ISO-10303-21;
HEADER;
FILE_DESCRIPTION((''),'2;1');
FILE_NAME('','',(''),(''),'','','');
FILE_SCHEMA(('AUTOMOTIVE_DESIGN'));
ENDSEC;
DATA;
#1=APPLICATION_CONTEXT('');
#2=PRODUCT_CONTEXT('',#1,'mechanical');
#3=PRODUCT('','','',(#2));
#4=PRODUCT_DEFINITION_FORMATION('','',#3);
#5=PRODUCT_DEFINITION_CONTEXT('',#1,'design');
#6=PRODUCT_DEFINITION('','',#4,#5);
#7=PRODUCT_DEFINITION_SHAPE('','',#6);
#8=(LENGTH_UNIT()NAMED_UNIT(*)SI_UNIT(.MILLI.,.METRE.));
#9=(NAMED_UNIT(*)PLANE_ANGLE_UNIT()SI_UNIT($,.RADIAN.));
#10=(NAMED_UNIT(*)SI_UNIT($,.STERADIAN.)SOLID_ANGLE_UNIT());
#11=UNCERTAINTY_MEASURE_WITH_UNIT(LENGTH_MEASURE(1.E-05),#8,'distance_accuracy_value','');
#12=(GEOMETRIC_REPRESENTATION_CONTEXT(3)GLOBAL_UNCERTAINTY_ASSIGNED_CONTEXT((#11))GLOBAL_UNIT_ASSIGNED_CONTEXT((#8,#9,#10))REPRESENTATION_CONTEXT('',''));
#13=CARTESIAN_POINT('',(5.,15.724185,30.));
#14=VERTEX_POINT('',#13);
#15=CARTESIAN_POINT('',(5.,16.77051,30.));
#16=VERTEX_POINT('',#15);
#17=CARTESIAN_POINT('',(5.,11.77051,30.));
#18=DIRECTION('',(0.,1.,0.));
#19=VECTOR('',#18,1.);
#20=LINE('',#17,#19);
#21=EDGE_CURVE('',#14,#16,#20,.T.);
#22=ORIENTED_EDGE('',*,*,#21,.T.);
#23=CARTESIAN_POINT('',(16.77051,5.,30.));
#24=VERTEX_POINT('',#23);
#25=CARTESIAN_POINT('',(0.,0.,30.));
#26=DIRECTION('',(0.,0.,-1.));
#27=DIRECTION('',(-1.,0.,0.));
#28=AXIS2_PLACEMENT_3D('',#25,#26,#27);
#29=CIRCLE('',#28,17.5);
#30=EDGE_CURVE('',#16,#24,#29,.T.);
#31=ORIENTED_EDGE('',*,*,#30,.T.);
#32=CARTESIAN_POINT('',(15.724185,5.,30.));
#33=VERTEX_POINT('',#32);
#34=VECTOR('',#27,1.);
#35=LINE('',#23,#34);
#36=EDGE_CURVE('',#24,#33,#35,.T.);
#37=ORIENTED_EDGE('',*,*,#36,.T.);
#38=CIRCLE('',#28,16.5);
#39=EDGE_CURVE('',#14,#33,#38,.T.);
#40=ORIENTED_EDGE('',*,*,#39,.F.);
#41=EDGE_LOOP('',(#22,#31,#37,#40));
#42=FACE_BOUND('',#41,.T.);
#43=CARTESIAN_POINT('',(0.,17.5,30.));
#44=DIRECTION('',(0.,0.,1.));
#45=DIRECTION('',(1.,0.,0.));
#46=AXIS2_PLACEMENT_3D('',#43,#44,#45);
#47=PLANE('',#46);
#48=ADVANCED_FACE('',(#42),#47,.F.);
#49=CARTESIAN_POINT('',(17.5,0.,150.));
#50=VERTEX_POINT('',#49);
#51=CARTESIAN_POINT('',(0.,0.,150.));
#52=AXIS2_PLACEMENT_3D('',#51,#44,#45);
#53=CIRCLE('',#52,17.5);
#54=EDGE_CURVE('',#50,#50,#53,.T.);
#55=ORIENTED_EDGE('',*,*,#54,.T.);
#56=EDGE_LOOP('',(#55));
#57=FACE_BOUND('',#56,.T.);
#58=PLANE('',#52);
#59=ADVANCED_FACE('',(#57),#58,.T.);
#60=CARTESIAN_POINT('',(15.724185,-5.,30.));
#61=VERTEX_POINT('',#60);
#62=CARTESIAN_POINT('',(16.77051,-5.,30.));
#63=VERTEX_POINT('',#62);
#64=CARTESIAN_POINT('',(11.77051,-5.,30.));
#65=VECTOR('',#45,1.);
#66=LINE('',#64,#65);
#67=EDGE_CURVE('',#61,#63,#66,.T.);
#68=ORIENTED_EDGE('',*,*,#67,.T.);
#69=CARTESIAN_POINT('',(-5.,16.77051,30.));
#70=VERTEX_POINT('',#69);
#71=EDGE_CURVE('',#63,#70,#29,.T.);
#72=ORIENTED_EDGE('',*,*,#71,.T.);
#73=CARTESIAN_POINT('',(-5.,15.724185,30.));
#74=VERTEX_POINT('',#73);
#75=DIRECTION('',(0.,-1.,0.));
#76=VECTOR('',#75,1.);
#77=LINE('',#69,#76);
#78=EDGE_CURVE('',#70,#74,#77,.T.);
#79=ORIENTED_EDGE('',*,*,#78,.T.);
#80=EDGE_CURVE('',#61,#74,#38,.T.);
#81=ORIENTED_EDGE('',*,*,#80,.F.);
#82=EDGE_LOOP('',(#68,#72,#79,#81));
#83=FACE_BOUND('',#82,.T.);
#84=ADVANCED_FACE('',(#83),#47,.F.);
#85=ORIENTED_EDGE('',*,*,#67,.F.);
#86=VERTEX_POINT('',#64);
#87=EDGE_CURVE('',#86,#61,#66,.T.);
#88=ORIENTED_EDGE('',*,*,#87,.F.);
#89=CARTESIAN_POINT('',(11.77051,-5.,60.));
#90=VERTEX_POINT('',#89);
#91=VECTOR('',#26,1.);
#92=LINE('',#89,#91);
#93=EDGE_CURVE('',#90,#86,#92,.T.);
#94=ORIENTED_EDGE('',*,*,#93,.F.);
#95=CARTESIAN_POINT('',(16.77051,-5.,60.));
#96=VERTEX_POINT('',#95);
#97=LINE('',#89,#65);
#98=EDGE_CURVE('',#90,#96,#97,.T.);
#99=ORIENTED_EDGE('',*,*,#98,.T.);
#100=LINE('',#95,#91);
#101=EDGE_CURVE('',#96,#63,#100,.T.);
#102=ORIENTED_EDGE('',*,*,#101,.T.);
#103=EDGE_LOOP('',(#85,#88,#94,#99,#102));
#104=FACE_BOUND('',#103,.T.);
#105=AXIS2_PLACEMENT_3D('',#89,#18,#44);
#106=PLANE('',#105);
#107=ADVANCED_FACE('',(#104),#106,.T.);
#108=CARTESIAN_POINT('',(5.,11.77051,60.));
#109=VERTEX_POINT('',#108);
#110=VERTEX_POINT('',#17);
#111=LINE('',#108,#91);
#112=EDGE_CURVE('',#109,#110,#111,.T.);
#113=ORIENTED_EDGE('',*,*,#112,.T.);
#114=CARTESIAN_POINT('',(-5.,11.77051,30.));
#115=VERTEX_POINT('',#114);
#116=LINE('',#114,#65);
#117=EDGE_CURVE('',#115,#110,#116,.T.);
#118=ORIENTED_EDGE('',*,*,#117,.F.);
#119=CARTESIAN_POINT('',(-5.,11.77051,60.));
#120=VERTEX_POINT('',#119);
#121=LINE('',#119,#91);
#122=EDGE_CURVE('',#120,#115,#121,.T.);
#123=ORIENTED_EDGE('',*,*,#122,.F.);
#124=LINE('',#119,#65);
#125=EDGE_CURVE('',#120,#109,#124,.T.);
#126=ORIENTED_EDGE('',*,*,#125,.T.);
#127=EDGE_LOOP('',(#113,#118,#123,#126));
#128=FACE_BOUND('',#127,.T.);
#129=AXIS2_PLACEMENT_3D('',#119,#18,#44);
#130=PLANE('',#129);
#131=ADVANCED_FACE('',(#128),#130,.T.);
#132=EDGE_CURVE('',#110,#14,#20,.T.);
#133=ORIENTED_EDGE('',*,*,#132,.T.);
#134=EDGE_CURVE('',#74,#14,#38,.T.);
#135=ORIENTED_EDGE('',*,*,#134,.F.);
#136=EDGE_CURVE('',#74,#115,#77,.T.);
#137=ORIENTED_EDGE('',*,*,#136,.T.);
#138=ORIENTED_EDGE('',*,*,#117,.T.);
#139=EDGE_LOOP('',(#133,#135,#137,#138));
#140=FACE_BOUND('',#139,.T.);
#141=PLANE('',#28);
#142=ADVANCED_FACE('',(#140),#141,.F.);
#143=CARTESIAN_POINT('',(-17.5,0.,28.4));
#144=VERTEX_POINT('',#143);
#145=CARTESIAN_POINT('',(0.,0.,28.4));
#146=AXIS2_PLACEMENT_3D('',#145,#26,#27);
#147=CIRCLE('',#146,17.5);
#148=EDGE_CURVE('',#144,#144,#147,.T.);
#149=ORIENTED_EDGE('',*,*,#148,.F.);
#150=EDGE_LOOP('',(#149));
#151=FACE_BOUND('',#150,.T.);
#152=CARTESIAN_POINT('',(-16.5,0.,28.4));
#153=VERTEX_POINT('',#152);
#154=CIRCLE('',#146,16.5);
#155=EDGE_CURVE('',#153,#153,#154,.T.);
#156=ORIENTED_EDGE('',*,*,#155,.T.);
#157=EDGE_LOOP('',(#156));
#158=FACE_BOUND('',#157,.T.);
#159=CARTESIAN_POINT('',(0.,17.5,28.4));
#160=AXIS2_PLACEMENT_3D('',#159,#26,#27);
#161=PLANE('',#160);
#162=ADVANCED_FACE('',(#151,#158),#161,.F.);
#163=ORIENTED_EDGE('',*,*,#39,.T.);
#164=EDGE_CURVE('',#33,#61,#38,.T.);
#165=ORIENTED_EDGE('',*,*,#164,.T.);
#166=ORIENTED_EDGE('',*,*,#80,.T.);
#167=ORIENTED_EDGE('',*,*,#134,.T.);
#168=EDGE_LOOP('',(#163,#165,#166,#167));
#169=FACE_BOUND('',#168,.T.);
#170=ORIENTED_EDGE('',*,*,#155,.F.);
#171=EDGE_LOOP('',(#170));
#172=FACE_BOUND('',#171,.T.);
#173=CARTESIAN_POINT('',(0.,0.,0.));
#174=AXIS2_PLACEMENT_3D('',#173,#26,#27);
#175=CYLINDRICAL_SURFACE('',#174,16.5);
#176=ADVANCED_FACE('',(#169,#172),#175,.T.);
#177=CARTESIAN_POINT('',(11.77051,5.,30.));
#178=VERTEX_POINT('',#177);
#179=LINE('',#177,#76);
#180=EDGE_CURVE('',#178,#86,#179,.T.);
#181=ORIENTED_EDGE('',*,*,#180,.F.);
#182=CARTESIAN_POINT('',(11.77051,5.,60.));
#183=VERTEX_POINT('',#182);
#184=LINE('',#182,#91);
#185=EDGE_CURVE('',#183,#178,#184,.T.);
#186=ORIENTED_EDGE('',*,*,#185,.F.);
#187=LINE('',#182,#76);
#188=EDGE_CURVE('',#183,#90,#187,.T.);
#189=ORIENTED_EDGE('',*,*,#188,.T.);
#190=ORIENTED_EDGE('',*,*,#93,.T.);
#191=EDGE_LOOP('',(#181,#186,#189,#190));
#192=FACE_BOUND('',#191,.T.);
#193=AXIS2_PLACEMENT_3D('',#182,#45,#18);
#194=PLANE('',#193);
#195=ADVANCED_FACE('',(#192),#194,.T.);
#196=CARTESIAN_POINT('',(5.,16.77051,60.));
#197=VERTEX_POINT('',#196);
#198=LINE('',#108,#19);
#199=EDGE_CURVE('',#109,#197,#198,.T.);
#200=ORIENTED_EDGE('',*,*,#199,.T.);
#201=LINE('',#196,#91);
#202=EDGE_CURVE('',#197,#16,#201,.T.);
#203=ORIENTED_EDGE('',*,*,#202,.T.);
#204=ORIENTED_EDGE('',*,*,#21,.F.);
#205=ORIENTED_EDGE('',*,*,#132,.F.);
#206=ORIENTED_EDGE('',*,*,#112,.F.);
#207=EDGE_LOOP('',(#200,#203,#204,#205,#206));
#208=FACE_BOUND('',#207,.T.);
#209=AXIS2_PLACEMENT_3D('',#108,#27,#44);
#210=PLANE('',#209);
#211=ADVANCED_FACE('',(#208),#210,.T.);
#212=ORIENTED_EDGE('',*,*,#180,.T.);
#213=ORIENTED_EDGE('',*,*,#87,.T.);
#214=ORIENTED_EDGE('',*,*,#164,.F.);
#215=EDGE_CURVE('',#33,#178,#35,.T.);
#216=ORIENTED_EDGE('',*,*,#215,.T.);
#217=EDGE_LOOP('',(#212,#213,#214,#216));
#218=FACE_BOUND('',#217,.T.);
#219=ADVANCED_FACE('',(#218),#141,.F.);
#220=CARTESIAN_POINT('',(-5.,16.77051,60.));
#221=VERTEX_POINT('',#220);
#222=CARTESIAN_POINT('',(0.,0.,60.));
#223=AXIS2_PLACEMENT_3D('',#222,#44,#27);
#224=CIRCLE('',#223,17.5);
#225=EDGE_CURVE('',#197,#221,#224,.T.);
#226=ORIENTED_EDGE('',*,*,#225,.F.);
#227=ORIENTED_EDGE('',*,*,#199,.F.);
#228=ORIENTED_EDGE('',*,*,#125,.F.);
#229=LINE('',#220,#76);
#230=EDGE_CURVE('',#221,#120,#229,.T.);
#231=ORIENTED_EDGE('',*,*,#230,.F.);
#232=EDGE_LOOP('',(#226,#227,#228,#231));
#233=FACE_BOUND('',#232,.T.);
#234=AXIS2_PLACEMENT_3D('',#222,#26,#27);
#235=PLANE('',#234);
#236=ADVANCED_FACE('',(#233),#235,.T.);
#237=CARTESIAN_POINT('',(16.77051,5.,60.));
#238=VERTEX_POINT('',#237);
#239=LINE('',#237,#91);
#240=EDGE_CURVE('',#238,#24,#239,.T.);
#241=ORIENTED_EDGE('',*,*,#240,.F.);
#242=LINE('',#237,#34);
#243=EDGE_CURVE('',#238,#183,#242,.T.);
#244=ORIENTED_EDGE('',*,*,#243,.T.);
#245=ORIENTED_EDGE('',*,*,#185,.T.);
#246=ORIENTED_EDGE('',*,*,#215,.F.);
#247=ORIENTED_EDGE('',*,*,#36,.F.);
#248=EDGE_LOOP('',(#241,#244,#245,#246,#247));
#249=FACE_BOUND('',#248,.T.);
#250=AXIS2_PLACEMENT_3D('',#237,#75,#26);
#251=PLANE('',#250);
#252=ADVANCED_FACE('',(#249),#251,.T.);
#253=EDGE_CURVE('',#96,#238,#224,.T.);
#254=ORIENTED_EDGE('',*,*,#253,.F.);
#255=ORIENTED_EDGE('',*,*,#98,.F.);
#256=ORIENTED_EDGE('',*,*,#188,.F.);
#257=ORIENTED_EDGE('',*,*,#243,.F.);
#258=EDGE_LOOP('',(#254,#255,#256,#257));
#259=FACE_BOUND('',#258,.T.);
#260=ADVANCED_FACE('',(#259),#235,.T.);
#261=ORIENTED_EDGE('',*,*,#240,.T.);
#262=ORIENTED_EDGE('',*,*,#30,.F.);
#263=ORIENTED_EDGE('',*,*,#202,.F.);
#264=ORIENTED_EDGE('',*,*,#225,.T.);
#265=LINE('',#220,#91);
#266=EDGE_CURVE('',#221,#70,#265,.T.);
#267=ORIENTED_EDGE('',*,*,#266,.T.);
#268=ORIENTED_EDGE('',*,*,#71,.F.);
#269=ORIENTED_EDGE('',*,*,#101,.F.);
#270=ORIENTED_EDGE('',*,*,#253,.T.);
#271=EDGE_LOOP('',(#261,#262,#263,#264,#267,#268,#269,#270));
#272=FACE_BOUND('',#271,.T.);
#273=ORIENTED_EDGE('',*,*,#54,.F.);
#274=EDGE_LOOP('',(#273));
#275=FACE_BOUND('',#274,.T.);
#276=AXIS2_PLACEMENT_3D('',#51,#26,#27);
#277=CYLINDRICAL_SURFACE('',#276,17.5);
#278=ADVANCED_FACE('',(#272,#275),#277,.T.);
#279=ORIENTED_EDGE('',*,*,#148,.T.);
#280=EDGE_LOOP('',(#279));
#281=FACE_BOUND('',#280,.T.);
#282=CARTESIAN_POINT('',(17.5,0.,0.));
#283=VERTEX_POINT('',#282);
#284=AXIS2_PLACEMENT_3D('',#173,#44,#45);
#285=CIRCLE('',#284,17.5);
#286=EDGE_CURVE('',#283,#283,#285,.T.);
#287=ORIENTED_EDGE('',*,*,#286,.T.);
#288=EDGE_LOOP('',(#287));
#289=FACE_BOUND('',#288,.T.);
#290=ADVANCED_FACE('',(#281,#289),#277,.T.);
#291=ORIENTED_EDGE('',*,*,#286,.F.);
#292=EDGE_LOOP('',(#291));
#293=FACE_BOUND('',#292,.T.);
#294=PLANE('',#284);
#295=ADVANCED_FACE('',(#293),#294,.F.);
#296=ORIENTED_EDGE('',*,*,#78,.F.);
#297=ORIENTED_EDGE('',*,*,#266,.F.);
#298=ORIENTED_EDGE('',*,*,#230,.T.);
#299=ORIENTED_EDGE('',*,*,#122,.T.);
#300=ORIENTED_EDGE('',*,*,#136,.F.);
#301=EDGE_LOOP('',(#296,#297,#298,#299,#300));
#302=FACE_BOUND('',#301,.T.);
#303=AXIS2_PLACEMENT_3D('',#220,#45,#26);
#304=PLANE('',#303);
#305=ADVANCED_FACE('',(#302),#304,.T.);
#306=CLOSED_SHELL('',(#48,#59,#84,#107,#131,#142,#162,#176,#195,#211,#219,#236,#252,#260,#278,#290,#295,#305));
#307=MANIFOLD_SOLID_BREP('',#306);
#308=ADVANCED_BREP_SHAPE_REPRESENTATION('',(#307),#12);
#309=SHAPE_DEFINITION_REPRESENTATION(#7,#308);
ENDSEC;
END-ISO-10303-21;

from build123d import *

# Parameters (mm, degrees)
SKETCH1_R           = 17.5
BOSS_EXTRUDE1_DEPTH = 150
CUT_EXTRUDE1_START  = 30
CUT_EXTRUDE1_DEPTH  = 30
SKETCH4_W           = 1.6
SKETCH4_H           = 1


with BuildPart() as part:
    # Sketch1 → Boss-Extrude1 (new body)
    with BuildSketch(Plane.XY):
        Circle(SKETCH1_R)
    extrude(amount=BOSS_EXTRUDE1_DEPTH)

    # Sketch3 → Cut-Extrude1 (cut)
    with BuildSketch(Plane.XY.offset(CUT_EXTRUDE1_START)):
        with BuildLine():
            Line((-5, 16.770509831), (-5, 11.770509831))
            Line((-5, 11.770509831), (5, 11.770509831))
            Line((5, 11.770509831), (5, 16.770509831))
            ThreePointArc((5, 16.770509831), (0, 17.5), (-5, 16.770509831))
        make_face()
        with BuildLine():
            Line((16.770509831, 5), (11.770509831, 5))
            Line((11.770509831, 5), (11.770509831, -5))
            Line((11.770509831, -5), (16.770509831, -5))
            ThreePointArc((16.770509831, -5), (17.5, 0), (16.770509831, 5))
        make_face()
    extrude(amount=CUT_EXTRUDE1_DEPTH, mode=Mode.SUBTRACT)

    # Sketch4 → Cut-Revolve1 (revolve, cut)
    with BuildSketch(Plane(origin=(0, 0, 0), x_dir=(0, 0, -1), z_dir=(1, 0, 0)), mode=Mode.PRIVATE) as cut_revolve1_sk:
        with Locations((-29.2, 17)):
            Rectangle(SKETCH4_W, SKETCH4_H)
    revolve(cut_revolve1_sk.sketch.rotate(Axis((0, 0, 0), (0, 0, 1)), 90), axis=Axis((0, 0, 0), (0, 0, 1)), mode=Mode.SUBTRACT)


solid = part.part
